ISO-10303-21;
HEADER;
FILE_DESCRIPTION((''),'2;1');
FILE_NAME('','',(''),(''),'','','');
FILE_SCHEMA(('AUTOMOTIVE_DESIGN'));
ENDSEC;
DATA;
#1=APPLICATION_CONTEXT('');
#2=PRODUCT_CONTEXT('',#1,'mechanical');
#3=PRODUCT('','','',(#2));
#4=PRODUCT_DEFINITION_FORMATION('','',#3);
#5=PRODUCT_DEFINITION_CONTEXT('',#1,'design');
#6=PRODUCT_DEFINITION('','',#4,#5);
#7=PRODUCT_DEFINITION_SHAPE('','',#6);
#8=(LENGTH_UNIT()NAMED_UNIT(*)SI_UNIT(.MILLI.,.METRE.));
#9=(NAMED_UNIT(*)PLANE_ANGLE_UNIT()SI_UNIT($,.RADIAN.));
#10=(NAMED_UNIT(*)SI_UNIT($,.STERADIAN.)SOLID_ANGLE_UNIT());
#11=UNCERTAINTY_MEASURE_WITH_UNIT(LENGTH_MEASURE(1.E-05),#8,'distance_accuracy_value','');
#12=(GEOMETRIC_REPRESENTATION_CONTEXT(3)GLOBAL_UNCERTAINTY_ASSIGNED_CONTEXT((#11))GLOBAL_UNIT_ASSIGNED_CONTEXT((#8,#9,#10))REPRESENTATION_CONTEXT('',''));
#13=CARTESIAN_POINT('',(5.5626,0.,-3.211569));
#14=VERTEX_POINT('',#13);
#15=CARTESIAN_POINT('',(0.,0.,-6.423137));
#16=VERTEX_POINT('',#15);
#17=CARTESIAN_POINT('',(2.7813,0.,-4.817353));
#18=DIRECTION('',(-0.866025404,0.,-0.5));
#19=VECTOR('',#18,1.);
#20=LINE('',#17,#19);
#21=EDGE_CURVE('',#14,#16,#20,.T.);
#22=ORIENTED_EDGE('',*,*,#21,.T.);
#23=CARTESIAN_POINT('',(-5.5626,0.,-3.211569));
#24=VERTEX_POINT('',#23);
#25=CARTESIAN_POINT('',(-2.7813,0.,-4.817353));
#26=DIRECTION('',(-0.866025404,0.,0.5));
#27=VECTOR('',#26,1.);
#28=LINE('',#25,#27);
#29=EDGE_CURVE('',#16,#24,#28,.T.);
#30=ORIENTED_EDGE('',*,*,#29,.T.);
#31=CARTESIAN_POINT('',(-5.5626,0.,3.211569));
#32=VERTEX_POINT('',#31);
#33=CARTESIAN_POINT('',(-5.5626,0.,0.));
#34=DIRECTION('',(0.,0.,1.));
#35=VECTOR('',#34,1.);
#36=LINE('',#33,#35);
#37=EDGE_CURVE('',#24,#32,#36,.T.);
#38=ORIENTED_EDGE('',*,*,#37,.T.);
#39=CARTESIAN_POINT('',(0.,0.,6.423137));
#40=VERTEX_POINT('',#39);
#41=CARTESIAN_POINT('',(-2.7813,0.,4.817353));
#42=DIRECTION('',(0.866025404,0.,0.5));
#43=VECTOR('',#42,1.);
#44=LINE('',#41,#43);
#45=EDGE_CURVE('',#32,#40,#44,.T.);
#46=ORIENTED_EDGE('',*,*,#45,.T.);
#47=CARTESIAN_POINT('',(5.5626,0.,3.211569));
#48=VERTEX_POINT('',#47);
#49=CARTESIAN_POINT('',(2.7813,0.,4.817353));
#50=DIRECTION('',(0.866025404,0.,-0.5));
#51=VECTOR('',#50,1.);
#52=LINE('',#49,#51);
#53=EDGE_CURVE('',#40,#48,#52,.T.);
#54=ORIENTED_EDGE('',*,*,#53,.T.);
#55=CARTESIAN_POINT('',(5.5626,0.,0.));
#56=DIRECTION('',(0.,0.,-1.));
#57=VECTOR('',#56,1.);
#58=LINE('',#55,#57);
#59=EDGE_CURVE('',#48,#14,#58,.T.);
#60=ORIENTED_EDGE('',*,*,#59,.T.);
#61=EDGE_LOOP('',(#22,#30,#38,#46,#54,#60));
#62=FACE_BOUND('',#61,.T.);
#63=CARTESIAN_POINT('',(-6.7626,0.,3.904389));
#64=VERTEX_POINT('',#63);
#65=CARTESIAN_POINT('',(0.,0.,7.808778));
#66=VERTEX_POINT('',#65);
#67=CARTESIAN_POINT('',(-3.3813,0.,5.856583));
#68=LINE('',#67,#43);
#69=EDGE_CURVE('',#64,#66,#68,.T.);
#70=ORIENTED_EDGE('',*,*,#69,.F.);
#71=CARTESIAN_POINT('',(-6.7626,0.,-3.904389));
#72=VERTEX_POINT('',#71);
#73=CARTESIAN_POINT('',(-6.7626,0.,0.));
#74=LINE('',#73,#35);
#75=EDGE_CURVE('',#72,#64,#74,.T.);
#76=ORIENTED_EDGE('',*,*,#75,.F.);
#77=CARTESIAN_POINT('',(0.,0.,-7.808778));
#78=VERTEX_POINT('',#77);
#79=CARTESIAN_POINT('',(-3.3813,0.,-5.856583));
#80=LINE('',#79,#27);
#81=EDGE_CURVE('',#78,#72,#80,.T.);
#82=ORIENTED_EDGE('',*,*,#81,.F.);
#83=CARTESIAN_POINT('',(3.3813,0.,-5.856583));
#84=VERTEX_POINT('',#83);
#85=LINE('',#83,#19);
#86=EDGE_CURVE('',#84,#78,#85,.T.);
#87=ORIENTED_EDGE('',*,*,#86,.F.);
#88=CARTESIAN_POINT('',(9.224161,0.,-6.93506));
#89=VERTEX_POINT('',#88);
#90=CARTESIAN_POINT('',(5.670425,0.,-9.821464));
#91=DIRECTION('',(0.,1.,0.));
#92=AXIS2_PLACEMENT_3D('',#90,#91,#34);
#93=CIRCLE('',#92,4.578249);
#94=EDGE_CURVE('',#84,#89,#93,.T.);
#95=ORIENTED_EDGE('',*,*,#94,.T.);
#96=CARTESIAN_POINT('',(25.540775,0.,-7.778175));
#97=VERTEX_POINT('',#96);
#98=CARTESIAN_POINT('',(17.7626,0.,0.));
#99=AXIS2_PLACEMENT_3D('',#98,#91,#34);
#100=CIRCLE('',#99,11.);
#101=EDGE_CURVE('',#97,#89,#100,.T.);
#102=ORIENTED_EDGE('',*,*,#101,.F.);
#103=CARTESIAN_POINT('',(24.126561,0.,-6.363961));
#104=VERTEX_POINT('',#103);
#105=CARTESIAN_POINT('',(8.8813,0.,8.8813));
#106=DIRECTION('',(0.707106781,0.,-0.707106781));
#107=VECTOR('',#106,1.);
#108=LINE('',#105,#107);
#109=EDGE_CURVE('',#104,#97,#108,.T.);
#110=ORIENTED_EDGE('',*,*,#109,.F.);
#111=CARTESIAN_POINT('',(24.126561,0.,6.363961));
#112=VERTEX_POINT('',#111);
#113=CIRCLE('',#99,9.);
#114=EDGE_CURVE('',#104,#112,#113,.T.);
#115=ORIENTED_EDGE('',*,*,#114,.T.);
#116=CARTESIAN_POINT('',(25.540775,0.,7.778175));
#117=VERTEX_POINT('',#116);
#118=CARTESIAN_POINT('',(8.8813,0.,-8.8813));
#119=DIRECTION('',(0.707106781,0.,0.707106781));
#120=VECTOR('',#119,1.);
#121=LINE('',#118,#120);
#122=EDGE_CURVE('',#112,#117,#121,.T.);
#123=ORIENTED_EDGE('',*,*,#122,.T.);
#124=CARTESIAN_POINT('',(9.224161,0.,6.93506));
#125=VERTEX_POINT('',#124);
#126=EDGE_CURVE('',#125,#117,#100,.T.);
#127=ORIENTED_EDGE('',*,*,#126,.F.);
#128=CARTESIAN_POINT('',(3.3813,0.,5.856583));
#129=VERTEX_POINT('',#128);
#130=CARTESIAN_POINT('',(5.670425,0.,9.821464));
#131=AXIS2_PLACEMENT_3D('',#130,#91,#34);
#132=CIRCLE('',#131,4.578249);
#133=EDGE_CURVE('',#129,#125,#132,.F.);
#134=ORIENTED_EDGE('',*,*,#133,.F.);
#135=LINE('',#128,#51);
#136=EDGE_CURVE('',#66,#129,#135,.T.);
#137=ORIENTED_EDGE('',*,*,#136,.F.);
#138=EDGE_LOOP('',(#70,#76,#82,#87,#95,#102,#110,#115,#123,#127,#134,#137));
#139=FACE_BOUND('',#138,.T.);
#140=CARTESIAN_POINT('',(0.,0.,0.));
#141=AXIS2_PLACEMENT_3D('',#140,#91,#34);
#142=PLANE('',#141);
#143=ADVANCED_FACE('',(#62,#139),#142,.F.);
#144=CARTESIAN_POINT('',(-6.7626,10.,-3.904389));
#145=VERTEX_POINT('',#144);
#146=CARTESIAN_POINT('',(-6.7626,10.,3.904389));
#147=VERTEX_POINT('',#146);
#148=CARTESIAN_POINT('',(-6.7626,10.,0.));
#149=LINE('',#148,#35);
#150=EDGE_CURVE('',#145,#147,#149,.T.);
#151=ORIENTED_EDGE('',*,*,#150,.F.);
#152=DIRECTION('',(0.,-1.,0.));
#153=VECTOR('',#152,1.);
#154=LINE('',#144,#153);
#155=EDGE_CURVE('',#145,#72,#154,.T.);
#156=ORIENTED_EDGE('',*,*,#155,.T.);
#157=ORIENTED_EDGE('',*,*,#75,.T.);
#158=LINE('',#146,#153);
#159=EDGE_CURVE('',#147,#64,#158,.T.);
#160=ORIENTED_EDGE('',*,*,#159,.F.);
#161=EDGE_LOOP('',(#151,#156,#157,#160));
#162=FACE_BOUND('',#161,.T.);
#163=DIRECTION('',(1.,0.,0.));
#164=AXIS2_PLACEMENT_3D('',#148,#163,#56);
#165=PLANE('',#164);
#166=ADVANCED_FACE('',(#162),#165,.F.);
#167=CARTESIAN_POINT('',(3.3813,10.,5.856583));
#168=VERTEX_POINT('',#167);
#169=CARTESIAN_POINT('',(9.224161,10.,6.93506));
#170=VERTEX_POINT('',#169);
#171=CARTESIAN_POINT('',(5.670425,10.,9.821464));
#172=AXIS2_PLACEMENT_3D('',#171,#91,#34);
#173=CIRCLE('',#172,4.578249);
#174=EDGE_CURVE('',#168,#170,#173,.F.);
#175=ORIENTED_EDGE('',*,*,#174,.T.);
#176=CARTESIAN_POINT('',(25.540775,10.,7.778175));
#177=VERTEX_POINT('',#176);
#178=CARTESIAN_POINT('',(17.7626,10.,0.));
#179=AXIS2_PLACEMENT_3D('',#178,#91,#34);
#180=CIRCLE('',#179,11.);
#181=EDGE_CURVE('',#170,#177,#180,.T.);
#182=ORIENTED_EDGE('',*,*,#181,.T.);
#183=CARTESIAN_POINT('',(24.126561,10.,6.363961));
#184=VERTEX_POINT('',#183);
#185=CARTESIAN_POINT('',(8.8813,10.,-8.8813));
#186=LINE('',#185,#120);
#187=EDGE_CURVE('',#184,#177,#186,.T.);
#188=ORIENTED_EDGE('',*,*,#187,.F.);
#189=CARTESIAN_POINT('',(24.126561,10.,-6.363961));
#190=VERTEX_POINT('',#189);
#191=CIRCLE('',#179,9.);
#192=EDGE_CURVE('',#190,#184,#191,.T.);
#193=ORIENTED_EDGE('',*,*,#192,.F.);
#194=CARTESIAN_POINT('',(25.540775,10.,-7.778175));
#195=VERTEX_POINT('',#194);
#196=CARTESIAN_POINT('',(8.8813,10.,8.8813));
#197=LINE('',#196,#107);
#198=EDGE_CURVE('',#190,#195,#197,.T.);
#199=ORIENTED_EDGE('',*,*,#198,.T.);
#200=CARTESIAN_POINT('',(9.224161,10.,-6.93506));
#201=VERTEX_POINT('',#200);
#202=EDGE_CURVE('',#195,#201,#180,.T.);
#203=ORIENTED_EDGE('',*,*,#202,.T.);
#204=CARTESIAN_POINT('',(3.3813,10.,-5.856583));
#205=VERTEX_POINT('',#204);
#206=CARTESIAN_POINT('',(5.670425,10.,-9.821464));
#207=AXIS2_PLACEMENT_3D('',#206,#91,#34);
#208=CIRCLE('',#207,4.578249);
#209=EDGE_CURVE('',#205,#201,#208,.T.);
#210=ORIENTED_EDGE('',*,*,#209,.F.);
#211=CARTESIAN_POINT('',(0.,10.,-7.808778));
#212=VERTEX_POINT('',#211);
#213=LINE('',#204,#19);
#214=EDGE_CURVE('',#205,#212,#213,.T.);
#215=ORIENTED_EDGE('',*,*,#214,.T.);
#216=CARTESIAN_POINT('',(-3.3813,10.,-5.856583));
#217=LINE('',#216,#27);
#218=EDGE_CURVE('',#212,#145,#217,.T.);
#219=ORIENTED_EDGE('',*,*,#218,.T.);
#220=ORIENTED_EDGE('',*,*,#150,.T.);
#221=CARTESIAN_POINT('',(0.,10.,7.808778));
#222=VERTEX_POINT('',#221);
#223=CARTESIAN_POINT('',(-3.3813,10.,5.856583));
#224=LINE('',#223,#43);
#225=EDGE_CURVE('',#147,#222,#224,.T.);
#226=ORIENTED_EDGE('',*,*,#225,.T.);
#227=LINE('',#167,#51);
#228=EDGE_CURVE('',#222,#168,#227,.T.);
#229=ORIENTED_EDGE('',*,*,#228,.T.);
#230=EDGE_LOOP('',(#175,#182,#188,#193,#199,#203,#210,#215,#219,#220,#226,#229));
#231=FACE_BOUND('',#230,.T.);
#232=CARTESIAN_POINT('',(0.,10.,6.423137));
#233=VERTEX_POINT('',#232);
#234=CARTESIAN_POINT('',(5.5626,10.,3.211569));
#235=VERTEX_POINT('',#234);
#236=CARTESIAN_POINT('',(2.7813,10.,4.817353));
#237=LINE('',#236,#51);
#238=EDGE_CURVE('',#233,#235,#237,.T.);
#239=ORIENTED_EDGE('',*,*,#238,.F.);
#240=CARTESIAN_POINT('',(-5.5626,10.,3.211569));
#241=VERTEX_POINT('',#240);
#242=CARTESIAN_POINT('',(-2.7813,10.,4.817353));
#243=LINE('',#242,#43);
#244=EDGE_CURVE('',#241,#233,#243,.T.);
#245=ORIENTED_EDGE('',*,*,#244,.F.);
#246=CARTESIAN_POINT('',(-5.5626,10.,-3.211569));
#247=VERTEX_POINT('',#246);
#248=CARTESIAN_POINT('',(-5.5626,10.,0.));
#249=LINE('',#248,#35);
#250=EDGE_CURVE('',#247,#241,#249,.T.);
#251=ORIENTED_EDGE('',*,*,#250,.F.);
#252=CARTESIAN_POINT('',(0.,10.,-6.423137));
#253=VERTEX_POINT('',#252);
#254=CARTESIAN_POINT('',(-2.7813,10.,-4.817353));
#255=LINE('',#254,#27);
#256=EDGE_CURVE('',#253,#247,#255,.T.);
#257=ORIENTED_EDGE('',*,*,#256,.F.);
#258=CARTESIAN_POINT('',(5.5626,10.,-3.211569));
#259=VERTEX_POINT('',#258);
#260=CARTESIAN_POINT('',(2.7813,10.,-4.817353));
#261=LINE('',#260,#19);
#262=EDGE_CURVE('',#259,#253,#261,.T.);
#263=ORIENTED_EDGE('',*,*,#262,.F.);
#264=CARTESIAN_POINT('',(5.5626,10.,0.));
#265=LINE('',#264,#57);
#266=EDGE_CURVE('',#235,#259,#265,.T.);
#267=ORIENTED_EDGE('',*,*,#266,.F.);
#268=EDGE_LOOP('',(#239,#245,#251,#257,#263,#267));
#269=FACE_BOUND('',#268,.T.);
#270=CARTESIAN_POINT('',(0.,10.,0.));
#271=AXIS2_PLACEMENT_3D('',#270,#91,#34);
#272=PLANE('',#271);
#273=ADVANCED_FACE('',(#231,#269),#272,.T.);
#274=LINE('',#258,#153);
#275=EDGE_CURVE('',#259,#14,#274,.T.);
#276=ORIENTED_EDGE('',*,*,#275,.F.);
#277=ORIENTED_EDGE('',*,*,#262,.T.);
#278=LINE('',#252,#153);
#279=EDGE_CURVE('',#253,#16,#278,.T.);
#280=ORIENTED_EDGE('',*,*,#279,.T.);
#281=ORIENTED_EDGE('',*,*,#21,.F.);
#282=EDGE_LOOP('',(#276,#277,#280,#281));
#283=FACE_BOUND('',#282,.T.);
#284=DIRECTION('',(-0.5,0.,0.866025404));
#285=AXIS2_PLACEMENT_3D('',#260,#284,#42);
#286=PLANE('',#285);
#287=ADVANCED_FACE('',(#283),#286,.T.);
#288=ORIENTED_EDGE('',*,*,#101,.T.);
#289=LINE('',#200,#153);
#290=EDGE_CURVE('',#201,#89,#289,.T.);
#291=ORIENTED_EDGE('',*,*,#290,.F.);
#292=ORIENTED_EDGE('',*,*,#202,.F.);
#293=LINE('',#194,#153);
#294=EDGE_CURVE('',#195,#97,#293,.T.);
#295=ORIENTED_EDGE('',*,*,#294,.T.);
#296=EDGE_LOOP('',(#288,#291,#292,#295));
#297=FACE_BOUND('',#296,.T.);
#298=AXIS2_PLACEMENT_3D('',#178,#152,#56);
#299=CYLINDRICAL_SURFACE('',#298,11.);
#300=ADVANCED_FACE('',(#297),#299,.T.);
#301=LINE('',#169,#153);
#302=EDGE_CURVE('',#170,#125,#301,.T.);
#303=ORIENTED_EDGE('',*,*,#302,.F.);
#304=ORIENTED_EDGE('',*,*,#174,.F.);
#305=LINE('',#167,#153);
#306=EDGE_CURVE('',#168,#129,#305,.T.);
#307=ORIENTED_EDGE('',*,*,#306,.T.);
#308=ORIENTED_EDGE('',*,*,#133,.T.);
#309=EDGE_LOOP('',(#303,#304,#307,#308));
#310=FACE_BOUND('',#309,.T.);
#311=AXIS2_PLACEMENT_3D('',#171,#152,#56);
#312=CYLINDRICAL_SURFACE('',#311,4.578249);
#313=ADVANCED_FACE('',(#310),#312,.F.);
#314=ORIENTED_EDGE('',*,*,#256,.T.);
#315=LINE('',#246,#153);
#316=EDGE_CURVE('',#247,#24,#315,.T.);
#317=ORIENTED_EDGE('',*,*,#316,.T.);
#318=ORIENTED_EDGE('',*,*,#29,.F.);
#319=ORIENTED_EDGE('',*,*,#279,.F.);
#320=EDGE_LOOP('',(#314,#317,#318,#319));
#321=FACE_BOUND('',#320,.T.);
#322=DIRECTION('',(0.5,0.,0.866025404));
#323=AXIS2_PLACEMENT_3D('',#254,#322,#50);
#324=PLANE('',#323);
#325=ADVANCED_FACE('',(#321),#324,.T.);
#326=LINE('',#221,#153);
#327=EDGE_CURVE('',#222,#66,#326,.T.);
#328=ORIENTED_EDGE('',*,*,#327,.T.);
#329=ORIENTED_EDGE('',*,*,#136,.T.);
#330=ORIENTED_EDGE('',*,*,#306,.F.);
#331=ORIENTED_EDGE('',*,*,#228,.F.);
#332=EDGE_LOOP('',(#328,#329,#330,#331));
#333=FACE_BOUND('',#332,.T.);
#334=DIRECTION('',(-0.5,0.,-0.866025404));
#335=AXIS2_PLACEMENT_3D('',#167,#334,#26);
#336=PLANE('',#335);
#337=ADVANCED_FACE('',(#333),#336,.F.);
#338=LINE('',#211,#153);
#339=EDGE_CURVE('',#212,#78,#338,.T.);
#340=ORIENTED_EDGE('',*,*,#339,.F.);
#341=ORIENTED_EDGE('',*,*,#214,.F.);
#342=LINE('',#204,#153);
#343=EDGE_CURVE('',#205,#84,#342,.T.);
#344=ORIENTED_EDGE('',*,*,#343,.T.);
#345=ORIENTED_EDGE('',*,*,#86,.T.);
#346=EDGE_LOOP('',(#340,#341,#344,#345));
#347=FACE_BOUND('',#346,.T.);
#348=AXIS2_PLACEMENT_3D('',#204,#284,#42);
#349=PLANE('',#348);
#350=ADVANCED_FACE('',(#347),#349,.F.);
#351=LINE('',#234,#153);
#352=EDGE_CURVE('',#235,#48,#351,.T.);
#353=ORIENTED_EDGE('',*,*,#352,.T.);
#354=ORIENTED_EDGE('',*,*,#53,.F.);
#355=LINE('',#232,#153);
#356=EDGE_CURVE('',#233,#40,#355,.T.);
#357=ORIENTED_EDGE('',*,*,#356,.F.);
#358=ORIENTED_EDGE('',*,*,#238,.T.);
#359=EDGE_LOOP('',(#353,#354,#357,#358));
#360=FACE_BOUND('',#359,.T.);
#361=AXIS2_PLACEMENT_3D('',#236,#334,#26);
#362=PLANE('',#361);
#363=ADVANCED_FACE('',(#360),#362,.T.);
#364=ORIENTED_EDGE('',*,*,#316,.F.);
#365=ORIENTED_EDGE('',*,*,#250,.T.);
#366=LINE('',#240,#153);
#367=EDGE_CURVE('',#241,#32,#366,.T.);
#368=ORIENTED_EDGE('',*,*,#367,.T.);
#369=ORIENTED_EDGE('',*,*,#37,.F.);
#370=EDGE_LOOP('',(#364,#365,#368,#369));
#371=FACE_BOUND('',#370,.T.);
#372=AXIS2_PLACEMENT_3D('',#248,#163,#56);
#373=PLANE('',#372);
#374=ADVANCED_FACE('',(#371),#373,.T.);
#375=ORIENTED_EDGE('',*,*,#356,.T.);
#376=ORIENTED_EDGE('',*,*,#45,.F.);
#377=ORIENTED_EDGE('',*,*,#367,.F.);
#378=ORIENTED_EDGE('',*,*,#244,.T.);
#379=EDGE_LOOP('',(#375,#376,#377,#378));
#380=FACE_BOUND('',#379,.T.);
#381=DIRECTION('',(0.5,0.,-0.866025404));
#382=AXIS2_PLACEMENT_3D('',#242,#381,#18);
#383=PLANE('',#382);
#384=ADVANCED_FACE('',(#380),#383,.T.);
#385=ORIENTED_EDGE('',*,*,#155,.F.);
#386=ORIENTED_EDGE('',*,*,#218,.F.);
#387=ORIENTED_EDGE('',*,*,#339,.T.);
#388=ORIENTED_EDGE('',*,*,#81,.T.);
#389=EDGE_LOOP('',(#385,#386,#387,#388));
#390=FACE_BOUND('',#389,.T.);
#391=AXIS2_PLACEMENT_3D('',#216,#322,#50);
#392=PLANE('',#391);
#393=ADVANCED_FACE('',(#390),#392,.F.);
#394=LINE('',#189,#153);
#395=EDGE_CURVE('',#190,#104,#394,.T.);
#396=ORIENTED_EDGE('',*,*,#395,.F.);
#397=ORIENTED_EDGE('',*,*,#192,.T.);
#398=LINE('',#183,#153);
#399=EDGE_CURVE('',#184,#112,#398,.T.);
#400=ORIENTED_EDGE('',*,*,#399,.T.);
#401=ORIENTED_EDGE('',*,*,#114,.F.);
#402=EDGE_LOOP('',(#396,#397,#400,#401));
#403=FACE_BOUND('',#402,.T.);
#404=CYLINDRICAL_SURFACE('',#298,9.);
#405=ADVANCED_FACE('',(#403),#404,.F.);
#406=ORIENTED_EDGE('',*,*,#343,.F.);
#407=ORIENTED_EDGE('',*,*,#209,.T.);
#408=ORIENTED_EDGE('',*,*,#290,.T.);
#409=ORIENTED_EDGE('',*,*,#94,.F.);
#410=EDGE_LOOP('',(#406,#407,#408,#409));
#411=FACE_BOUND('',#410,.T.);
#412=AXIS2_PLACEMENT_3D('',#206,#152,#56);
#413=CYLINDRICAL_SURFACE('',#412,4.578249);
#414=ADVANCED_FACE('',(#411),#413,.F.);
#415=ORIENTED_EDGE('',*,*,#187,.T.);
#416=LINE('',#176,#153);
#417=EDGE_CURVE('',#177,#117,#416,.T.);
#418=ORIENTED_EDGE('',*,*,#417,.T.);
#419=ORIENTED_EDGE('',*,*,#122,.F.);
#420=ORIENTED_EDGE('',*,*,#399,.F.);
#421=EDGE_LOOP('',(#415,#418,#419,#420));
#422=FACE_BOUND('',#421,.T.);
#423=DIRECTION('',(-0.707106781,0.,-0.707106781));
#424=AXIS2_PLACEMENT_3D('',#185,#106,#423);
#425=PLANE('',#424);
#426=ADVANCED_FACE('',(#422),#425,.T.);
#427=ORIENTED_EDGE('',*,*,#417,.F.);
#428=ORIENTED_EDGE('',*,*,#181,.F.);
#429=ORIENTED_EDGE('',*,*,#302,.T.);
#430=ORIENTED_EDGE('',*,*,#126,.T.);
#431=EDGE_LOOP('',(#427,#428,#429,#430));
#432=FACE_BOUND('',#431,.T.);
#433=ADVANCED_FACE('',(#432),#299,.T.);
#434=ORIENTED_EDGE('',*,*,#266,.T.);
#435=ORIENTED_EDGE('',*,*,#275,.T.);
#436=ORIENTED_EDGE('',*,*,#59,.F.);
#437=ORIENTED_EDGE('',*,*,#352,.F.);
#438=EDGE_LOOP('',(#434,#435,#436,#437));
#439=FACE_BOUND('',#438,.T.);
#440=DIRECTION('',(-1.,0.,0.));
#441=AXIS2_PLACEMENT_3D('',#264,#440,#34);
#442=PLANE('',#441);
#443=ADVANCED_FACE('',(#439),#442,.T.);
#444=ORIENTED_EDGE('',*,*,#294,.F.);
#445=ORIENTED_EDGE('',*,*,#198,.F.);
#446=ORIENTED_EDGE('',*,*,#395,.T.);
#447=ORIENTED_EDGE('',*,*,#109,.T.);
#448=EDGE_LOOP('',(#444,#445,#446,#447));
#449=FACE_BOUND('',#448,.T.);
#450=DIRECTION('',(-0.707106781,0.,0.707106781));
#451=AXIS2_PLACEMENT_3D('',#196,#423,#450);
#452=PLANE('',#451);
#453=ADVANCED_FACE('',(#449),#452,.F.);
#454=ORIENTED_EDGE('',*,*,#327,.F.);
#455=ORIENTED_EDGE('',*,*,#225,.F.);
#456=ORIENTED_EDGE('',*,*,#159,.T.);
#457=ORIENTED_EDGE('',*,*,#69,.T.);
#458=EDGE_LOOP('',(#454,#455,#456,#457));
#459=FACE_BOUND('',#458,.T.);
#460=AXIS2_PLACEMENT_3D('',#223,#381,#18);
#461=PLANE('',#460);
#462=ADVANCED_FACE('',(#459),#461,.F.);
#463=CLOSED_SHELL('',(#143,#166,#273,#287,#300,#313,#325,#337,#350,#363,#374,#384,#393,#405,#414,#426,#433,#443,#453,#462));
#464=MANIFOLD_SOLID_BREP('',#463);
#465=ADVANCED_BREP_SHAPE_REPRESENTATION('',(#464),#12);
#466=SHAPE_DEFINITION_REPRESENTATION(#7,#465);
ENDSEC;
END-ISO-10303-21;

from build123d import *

# Parameters (mm, degrees)
BOSS_EXTRUDE1_DEPTH = 10


with BuildPart() as part:
    # Sketch1 → Boss-Extrude1 (new body)
    with BuildSketch(Plane(origin=(0, 0, 0), x_dir=(1, 0, 0), z_dir=(0, 1, 0))):
        Polygon((0, -7.808777861), (6.7626, -3.90438893), (6.7626, 3.90438893), (0, 7.808777861), (-6.7626, 3.90438893), (-6.7626, -3.90438893), align=None)
        Polygon((5.5626, -3.211568607), (5.5626, 3.211568607), (0, 6.423137215), (-5.5626, 3.211568607), (-5.5626, -3.211568607), (0, -6.423137215), align=None, mode=Mode.SUBTRACT)
        with BuildLine():
            ThreePointArc((9.224161182, -6.935060385), (7.396240301, -3.679481838), (6.7626, -2.8e-08))
            Line((6.7626, -2.8e-08), (6.7626, -3.90438893))
            Line((6.7626, -3.90438893), (3.3813, -5.856583396))
            ThreePointArc((3.3813, -5.856583396), (6.501441474, -5.319266604), (9.224161182, -6.935060385))
        make_face()
        with BuildLine():
            ThreePointArc((6.7626, -2.8e-08), (7.396240292, 3.679481812), (9.224161182, 6.935060385))
            ThreePointArc((9.224161182, 6.935060385), (6.501441474, 5.319266604), (3.3813, 5.856583396))
            Line((3.3813, 5.856583396), (6.7626, 3.90438893))
            Line((6.7626, 3.90438893), (6.7626, -2.8e-08))
        make_face()
        with BuildLine():
            Line((24.126561031, 6.363961031), (25.540774593, 7.778174593))
            ThreePointArc((25.540774593, 7.778174593), (6.7626, 0), (25.540774593, -7.778174593))
            Line((25.540774593, -7.778174593), (24.126561031, -6.363961031))
            ThreePointArc((24.126561031, -6.363961031), (8.7626, 0), (24.126561031, 6.363961031))
        make_face()
    extrude(amount=BOSS_EXTRUDE1_DEPTH)


solid = part.part
